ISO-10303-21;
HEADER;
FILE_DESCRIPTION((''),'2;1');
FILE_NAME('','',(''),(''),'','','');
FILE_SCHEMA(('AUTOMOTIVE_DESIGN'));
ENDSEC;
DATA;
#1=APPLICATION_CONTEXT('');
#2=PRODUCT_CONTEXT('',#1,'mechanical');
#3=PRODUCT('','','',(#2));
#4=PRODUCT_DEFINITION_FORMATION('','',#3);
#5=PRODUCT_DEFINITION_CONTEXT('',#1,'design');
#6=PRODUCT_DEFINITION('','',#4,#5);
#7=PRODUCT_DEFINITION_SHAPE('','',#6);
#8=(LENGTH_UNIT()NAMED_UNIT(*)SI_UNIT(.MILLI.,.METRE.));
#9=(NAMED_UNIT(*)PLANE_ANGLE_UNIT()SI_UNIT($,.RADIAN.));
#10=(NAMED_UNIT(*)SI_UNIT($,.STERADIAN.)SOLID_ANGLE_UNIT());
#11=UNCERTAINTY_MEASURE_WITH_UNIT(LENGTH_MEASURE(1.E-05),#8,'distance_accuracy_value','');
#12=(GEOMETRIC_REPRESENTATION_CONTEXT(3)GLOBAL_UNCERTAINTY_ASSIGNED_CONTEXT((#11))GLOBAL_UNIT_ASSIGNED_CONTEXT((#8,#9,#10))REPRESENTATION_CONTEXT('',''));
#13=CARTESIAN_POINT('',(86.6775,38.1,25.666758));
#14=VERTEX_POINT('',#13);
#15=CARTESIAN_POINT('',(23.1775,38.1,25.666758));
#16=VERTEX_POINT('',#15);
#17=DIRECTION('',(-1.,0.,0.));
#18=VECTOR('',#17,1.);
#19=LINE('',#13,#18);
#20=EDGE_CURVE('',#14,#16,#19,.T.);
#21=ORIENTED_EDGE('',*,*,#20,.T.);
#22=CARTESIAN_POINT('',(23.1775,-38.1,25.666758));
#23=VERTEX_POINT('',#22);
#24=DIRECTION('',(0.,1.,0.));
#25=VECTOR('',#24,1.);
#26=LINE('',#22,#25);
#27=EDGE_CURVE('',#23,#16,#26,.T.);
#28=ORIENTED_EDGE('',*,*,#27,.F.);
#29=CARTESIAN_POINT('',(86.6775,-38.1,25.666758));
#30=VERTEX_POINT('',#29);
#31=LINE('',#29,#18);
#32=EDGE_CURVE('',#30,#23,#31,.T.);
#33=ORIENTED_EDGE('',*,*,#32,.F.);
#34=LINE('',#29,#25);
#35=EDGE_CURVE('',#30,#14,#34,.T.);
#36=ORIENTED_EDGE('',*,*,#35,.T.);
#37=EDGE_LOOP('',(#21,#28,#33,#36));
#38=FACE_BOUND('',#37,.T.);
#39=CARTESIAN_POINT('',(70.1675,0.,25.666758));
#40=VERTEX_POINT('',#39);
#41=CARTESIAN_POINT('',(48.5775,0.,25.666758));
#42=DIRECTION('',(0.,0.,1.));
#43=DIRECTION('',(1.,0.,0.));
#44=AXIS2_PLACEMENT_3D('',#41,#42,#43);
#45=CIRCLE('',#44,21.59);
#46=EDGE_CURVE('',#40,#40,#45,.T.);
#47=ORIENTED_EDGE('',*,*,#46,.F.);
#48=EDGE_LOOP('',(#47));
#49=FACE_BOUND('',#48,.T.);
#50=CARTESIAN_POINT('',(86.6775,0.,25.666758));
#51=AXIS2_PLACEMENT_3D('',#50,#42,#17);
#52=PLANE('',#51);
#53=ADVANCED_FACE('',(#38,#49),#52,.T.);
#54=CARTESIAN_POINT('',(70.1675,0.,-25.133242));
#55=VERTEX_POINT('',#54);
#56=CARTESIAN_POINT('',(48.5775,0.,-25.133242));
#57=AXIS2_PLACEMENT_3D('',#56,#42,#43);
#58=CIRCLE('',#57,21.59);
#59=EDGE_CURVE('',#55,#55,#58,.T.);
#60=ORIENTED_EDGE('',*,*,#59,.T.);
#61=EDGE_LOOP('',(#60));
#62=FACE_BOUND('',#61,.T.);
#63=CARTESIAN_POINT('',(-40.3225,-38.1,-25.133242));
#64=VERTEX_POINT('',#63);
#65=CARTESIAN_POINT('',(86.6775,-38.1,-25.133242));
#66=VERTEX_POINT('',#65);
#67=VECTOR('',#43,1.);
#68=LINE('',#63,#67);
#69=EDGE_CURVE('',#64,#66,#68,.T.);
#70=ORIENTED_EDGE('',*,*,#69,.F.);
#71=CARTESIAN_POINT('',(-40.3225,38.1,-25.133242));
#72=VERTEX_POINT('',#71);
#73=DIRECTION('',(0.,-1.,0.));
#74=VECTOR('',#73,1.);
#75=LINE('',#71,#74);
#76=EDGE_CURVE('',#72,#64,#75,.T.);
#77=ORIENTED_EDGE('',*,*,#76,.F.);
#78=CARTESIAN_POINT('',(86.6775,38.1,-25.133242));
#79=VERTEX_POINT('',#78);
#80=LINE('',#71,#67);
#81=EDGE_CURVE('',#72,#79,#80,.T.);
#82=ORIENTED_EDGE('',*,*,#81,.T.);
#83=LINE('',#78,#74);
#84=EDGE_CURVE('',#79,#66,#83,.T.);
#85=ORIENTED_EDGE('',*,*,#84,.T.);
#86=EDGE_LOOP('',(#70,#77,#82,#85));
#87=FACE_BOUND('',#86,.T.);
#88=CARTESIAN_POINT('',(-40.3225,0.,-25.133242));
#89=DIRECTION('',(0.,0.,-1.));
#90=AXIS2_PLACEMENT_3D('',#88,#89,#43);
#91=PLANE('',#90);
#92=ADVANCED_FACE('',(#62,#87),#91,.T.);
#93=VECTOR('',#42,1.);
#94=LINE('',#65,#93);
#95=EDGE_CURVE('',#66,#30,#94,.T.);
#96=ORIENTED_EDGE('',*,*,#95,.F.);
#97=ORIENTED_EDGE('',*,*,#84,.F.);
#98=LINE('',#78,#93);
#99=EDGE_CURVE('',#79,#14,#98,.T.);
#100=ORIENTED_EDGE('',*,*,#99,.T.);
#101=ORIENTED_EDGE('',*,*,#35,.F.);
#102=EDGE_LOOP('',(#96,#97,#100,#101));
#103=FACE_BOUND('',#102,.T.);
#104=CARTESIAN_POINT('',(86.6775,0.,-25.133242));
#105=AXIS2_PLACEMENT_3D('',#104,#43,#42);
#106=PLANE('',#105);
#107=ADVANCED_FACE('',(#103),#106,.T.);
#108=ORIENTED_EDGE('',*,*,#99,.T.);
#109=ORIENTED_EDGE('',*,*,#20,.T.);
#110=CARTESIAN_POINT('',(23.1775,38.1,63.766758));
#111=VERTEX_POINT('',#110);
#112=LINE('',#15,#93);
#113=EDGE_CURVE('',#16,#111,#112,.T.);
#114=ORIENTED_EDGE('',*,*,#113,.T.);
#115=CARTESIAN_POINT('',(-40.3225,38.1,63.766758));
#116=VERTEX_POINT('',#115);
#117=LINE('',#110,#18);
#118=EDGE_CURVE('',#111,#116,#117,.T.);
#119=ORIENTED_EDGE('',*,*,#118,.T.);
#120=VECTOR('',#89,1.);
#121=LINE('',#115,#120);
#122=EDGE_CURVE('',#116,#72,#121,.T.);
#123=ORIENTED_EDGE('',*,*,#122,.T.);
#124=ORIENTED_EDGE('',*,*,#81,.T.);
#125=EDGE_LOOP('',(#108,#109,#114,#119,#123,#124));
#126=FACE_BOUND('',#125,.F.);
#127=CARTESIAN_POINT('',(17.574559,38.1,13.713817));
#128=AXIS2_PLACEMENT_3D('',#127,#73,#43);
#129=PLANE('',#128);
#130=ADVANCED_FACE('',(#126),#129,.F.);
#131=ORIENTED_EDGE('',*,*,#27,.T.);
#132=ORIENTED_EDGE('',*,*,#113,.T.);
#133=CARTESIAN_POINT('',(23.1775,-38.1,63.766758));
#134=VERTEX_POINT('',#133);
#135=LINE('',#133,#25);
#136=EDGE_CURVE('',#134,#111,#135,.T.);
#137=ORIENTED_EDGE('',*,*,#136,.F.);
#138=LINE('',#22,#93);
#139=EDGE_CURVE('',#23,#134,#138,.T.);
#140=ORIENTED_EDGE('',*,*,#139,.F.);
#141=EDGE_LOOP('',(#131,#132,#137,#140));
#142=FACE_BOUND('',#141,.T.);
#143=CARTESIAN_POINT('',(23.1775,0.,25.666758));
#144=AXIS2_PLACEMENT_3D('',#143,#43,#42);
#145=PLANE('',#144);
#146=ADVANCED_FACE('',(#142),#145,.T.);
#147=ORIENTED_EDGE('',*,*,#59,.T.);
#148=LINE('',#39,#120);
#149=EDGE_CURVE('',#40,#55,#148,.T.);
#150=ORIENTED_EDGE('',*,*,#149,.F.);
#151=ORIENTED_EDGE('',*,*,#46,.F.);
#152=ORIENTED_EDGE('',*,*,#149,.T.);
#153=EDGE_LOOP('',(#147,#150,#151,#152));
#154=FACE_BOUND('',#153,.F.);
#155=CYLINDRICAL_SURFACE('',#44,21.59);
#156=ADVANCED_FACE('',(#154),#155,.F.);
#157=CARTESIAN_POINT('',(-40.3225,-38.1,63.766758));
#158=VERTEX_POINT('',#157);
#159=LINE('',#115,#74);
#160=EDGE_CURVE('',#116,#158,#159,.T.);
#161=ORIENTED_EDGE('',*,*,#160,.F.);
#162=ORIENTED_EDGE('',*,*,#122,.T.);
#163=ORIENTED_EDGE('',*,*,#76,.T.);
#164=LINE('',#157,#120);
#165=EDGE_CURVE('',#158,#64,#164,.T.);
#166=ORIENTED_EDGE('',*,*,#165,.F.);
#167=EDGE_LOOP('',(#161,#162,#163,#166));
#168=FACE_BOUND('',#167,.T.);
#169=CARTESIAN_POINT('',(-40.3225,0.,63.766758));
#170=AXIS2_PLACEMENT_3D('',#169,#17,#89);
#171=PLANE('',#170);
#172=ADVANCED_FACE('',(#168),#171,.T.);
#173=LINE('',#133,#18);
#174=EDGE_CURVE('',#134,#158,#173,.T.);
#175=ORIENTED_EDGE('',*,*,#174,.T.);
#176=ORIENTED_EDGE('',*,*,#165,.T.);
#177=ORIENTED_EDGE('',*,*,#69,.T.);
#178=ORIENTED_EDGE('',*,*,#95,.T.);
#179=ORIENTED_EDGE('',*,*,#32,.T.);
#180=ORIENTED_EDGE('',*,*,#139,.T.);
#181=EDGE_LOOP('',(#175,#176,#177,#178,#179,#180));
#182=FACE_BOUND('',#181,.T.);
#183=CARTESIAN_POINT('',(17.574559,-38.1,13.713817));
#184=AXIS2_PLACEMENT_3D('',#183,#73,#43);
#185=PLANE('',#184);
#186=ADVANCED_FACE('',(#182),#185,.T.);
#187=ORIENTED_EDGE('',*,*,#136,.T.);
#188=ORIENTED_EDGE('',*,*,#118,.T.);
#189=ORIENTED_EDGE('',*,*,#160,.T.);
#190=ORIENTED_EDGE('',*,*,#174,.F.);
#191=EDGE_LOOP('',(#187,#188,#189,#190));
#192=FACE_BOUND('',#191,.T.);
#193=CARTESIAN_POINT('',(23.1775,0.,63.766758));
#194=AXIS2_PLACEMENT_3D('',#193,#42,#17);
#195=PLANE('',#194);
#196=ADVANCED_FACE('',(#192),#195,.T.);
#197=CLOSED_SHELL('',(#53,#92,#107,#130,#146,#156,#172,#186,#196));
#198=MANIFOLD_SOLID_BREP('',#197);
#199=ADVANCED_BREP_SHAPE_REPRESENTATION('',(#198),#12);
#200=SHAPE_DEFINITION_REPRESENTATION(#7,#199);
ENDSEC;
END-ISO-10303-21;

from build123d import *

# Parameters (mm, degrees)
F1_DEPTH      = 38.1
F1_DEPTH_BACK = 38.1
F2_R          = 21.59
F3_DEPTH      = 50.8


with BuildPart() as f1:
    # F0 (on Front) → F1 (new body, two sides)
    with BuildSketch(Plane.XZ) as f1_sk:
        Polygon((23.1775, 63.766758), (-40.3225, 63.766758), (-40.3225, -25.133242), (23.1775, -25.133242), (86.6775, -25.133242), (86.6775, 25.666758), (23.1775, 25.666758), align=None)
    extrude(amount=F1_DEPTH)
    extrude(f1_sk.sketch, amount=-F1_DEPTH_BACK)

    # F2 (on face) → F3 (cut, through all)
    with BuildSketch(Plane.XY.offset(25.666758)):
        with Locations((48.5775, 0)):
            Circle(F2_R)
    extrude(amount=-F3_DEPTH, mode=Mode.SUBTRACT)


solid = f1.part
